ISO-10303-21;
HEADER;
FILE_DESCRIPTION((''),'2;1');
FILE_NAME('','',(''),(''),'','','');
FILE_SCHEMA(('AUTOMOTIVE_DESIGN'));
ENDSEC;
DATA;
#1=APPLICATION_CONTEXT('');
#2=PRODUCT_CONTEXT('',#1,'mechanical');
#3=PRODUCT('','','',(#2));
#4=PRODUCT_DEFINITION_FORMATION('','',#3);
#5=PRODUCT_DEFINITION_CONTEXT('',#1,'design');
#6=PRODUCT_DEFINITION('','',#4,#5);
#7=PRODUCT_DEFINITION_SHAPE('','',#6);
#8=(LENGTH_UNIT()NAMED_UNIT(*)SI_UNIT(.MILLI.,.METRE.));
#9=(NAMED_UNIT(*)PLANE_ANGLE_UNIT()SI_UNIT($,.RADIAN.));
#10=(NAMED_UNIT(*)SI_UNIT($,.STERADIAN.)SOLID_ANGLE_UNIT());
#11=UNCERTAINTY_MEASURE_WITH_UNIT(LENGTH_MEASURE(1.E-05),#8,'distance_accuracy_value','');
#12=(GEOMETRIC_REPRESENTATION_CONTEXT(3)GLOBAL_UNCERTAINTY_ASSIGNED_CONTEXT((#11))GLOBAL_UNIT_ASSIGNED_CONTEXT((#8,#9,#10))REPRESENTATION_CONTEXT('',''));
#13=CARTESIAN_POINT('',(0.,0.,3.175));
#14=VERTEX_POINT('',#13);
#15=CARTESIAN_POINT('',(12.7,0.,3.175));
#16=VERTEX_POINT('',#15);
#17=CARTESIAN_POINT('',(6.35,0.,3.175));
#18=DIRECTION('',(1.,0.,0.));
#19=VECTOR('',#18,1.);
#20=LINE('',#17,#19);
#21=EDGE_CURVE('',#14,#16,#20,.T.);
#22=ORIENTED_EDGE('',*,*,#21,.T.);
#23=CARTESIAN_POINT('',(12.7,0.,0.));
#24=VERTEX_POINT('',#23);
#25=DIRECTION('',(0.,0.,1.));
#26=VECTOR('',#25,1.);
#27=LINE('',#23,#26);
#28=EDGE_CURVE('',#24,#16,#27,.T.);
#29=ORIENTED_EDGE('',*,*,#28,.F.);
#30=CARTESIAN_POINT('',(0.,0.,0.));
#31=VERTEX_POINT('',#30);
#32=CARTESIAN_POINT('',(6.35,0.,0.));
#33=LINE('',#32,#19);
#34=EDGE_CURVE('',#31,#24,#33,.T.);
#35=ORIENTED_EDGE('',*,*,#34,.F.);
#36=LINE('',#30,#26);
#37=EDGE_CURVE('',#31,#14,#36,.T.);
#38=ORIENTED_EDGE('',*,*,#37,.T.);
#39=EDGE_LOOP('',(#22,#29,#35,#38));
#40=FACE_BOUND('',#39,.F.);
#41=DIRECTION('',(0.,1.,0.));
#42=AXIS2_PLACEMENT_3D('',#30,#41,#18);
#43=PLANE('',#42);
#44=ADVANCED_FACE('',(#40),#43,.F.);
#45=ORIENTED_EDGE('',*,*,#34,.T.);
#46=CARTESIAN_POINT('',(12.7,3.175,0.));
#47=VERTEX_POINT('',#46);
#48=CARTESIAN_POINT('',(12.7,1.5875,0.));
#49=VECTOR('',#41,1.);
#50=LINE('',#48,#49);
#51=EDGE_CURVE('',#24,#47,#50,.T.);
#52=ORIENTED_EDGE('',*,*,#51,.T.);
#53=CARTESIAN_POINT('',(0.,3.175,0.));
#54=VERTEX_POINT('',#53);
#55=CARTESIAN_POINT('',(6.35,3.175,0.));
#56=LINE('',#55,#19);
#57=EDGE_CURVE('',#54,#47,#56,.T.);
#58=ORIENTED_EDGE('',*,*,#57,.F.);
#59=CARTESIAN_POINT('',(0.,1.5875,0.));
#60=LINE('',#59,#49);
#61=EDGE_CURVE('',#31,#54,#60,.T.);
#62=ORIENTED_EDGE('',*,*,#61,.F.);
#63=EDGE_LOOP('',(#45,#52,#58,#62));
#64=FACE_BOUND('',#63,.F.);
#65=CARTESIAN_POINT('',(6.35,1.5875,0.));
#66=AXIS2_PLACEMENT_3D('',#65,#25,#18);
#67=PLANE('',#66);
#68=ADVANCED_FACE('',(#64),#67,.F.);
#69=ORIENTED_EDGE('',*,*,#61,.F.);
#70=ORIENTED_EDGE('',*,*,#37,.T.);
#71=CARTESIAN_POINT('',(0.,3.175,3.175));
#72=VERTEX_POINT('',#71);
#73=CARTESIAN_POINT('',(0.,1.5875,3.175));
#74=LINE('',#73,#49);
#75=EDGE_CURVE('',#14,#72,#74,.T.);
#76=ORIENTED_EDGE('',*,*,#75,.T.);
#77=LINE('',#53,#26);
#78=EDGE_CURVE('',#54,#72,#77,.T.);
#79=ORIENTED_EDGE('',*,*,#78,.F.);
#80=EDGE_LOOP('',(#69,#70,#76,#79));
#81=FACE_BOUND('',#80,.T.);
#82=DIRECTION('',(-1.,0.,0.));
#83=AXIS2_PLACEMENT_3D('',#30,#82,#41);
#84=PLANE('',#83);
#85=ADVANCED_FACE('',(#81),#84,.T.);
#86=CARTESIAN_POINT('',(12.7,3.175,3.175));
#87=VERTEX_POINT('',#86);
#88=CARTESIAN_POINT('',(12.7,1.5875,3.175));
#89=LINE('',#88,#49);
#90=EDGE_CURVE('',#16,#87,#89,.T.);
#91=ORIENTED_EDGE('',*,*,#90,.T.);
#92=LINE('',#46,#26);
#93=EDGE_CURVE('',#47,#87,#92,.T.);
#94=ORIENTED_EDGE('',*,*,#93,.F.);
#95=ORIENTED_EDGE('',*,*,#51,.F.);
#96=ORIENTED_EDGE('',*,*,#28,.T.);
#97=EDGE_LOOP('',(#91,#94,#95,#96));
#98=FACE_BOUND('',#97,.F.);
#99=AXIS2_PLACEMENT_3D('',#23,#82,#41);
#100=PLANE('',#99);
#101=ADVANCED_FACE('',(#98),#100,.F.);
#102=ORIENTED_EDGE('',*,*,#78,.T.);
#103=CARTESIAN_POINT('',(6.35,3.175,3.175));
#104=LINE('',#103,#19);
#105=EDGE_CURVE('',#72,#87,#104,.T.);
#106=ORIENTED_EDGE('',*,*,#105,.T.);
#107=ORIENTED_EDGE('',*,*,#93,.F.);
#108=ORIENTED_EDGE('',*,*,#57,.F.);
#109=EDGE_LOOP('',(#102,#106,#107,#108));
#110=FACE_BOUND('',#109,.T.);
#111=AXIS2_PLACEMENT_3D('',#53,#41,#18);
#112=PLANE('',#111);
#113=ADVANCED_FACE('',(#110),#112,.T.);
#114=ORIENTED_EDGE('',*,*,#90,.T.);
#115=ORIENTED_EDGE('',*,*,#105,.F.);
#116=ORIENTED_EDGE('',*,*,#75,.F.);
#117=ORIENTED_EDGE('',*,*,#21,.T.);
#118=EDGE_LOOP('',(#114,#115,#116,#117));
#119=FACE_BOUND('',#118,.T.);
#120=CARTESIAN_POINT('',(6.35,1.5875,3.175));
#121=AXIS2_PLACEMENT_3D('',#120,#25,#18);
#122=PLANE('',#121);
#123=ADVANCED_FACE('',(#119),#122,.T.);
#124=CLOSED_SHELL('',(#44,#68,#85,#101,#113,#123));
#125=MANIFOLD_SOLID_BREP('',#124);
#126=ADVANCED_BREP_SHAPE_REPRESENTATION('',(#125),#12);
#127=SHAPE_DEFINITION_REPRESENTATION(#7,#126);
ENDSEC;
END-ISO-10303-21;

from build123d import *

# Parameters (mm, degrees)
SKETCH1_W           = 12.7
SKETCH1_H           = 3.175
BOSS_EXTRUDE1_DEPTH = 3.175


with BuildPart() as part:
    # Sketch1 → Boss-Extrude1 (new body)
    with BuildSketch(Plane.XY):
        with Locations((6.35, 1.5875)):
            Rectangle(SKETCH1_W, SKETCH1_H)
    extrude(amount=BOSS_EXTRUDE1_DEPTH)


solid = part.part
